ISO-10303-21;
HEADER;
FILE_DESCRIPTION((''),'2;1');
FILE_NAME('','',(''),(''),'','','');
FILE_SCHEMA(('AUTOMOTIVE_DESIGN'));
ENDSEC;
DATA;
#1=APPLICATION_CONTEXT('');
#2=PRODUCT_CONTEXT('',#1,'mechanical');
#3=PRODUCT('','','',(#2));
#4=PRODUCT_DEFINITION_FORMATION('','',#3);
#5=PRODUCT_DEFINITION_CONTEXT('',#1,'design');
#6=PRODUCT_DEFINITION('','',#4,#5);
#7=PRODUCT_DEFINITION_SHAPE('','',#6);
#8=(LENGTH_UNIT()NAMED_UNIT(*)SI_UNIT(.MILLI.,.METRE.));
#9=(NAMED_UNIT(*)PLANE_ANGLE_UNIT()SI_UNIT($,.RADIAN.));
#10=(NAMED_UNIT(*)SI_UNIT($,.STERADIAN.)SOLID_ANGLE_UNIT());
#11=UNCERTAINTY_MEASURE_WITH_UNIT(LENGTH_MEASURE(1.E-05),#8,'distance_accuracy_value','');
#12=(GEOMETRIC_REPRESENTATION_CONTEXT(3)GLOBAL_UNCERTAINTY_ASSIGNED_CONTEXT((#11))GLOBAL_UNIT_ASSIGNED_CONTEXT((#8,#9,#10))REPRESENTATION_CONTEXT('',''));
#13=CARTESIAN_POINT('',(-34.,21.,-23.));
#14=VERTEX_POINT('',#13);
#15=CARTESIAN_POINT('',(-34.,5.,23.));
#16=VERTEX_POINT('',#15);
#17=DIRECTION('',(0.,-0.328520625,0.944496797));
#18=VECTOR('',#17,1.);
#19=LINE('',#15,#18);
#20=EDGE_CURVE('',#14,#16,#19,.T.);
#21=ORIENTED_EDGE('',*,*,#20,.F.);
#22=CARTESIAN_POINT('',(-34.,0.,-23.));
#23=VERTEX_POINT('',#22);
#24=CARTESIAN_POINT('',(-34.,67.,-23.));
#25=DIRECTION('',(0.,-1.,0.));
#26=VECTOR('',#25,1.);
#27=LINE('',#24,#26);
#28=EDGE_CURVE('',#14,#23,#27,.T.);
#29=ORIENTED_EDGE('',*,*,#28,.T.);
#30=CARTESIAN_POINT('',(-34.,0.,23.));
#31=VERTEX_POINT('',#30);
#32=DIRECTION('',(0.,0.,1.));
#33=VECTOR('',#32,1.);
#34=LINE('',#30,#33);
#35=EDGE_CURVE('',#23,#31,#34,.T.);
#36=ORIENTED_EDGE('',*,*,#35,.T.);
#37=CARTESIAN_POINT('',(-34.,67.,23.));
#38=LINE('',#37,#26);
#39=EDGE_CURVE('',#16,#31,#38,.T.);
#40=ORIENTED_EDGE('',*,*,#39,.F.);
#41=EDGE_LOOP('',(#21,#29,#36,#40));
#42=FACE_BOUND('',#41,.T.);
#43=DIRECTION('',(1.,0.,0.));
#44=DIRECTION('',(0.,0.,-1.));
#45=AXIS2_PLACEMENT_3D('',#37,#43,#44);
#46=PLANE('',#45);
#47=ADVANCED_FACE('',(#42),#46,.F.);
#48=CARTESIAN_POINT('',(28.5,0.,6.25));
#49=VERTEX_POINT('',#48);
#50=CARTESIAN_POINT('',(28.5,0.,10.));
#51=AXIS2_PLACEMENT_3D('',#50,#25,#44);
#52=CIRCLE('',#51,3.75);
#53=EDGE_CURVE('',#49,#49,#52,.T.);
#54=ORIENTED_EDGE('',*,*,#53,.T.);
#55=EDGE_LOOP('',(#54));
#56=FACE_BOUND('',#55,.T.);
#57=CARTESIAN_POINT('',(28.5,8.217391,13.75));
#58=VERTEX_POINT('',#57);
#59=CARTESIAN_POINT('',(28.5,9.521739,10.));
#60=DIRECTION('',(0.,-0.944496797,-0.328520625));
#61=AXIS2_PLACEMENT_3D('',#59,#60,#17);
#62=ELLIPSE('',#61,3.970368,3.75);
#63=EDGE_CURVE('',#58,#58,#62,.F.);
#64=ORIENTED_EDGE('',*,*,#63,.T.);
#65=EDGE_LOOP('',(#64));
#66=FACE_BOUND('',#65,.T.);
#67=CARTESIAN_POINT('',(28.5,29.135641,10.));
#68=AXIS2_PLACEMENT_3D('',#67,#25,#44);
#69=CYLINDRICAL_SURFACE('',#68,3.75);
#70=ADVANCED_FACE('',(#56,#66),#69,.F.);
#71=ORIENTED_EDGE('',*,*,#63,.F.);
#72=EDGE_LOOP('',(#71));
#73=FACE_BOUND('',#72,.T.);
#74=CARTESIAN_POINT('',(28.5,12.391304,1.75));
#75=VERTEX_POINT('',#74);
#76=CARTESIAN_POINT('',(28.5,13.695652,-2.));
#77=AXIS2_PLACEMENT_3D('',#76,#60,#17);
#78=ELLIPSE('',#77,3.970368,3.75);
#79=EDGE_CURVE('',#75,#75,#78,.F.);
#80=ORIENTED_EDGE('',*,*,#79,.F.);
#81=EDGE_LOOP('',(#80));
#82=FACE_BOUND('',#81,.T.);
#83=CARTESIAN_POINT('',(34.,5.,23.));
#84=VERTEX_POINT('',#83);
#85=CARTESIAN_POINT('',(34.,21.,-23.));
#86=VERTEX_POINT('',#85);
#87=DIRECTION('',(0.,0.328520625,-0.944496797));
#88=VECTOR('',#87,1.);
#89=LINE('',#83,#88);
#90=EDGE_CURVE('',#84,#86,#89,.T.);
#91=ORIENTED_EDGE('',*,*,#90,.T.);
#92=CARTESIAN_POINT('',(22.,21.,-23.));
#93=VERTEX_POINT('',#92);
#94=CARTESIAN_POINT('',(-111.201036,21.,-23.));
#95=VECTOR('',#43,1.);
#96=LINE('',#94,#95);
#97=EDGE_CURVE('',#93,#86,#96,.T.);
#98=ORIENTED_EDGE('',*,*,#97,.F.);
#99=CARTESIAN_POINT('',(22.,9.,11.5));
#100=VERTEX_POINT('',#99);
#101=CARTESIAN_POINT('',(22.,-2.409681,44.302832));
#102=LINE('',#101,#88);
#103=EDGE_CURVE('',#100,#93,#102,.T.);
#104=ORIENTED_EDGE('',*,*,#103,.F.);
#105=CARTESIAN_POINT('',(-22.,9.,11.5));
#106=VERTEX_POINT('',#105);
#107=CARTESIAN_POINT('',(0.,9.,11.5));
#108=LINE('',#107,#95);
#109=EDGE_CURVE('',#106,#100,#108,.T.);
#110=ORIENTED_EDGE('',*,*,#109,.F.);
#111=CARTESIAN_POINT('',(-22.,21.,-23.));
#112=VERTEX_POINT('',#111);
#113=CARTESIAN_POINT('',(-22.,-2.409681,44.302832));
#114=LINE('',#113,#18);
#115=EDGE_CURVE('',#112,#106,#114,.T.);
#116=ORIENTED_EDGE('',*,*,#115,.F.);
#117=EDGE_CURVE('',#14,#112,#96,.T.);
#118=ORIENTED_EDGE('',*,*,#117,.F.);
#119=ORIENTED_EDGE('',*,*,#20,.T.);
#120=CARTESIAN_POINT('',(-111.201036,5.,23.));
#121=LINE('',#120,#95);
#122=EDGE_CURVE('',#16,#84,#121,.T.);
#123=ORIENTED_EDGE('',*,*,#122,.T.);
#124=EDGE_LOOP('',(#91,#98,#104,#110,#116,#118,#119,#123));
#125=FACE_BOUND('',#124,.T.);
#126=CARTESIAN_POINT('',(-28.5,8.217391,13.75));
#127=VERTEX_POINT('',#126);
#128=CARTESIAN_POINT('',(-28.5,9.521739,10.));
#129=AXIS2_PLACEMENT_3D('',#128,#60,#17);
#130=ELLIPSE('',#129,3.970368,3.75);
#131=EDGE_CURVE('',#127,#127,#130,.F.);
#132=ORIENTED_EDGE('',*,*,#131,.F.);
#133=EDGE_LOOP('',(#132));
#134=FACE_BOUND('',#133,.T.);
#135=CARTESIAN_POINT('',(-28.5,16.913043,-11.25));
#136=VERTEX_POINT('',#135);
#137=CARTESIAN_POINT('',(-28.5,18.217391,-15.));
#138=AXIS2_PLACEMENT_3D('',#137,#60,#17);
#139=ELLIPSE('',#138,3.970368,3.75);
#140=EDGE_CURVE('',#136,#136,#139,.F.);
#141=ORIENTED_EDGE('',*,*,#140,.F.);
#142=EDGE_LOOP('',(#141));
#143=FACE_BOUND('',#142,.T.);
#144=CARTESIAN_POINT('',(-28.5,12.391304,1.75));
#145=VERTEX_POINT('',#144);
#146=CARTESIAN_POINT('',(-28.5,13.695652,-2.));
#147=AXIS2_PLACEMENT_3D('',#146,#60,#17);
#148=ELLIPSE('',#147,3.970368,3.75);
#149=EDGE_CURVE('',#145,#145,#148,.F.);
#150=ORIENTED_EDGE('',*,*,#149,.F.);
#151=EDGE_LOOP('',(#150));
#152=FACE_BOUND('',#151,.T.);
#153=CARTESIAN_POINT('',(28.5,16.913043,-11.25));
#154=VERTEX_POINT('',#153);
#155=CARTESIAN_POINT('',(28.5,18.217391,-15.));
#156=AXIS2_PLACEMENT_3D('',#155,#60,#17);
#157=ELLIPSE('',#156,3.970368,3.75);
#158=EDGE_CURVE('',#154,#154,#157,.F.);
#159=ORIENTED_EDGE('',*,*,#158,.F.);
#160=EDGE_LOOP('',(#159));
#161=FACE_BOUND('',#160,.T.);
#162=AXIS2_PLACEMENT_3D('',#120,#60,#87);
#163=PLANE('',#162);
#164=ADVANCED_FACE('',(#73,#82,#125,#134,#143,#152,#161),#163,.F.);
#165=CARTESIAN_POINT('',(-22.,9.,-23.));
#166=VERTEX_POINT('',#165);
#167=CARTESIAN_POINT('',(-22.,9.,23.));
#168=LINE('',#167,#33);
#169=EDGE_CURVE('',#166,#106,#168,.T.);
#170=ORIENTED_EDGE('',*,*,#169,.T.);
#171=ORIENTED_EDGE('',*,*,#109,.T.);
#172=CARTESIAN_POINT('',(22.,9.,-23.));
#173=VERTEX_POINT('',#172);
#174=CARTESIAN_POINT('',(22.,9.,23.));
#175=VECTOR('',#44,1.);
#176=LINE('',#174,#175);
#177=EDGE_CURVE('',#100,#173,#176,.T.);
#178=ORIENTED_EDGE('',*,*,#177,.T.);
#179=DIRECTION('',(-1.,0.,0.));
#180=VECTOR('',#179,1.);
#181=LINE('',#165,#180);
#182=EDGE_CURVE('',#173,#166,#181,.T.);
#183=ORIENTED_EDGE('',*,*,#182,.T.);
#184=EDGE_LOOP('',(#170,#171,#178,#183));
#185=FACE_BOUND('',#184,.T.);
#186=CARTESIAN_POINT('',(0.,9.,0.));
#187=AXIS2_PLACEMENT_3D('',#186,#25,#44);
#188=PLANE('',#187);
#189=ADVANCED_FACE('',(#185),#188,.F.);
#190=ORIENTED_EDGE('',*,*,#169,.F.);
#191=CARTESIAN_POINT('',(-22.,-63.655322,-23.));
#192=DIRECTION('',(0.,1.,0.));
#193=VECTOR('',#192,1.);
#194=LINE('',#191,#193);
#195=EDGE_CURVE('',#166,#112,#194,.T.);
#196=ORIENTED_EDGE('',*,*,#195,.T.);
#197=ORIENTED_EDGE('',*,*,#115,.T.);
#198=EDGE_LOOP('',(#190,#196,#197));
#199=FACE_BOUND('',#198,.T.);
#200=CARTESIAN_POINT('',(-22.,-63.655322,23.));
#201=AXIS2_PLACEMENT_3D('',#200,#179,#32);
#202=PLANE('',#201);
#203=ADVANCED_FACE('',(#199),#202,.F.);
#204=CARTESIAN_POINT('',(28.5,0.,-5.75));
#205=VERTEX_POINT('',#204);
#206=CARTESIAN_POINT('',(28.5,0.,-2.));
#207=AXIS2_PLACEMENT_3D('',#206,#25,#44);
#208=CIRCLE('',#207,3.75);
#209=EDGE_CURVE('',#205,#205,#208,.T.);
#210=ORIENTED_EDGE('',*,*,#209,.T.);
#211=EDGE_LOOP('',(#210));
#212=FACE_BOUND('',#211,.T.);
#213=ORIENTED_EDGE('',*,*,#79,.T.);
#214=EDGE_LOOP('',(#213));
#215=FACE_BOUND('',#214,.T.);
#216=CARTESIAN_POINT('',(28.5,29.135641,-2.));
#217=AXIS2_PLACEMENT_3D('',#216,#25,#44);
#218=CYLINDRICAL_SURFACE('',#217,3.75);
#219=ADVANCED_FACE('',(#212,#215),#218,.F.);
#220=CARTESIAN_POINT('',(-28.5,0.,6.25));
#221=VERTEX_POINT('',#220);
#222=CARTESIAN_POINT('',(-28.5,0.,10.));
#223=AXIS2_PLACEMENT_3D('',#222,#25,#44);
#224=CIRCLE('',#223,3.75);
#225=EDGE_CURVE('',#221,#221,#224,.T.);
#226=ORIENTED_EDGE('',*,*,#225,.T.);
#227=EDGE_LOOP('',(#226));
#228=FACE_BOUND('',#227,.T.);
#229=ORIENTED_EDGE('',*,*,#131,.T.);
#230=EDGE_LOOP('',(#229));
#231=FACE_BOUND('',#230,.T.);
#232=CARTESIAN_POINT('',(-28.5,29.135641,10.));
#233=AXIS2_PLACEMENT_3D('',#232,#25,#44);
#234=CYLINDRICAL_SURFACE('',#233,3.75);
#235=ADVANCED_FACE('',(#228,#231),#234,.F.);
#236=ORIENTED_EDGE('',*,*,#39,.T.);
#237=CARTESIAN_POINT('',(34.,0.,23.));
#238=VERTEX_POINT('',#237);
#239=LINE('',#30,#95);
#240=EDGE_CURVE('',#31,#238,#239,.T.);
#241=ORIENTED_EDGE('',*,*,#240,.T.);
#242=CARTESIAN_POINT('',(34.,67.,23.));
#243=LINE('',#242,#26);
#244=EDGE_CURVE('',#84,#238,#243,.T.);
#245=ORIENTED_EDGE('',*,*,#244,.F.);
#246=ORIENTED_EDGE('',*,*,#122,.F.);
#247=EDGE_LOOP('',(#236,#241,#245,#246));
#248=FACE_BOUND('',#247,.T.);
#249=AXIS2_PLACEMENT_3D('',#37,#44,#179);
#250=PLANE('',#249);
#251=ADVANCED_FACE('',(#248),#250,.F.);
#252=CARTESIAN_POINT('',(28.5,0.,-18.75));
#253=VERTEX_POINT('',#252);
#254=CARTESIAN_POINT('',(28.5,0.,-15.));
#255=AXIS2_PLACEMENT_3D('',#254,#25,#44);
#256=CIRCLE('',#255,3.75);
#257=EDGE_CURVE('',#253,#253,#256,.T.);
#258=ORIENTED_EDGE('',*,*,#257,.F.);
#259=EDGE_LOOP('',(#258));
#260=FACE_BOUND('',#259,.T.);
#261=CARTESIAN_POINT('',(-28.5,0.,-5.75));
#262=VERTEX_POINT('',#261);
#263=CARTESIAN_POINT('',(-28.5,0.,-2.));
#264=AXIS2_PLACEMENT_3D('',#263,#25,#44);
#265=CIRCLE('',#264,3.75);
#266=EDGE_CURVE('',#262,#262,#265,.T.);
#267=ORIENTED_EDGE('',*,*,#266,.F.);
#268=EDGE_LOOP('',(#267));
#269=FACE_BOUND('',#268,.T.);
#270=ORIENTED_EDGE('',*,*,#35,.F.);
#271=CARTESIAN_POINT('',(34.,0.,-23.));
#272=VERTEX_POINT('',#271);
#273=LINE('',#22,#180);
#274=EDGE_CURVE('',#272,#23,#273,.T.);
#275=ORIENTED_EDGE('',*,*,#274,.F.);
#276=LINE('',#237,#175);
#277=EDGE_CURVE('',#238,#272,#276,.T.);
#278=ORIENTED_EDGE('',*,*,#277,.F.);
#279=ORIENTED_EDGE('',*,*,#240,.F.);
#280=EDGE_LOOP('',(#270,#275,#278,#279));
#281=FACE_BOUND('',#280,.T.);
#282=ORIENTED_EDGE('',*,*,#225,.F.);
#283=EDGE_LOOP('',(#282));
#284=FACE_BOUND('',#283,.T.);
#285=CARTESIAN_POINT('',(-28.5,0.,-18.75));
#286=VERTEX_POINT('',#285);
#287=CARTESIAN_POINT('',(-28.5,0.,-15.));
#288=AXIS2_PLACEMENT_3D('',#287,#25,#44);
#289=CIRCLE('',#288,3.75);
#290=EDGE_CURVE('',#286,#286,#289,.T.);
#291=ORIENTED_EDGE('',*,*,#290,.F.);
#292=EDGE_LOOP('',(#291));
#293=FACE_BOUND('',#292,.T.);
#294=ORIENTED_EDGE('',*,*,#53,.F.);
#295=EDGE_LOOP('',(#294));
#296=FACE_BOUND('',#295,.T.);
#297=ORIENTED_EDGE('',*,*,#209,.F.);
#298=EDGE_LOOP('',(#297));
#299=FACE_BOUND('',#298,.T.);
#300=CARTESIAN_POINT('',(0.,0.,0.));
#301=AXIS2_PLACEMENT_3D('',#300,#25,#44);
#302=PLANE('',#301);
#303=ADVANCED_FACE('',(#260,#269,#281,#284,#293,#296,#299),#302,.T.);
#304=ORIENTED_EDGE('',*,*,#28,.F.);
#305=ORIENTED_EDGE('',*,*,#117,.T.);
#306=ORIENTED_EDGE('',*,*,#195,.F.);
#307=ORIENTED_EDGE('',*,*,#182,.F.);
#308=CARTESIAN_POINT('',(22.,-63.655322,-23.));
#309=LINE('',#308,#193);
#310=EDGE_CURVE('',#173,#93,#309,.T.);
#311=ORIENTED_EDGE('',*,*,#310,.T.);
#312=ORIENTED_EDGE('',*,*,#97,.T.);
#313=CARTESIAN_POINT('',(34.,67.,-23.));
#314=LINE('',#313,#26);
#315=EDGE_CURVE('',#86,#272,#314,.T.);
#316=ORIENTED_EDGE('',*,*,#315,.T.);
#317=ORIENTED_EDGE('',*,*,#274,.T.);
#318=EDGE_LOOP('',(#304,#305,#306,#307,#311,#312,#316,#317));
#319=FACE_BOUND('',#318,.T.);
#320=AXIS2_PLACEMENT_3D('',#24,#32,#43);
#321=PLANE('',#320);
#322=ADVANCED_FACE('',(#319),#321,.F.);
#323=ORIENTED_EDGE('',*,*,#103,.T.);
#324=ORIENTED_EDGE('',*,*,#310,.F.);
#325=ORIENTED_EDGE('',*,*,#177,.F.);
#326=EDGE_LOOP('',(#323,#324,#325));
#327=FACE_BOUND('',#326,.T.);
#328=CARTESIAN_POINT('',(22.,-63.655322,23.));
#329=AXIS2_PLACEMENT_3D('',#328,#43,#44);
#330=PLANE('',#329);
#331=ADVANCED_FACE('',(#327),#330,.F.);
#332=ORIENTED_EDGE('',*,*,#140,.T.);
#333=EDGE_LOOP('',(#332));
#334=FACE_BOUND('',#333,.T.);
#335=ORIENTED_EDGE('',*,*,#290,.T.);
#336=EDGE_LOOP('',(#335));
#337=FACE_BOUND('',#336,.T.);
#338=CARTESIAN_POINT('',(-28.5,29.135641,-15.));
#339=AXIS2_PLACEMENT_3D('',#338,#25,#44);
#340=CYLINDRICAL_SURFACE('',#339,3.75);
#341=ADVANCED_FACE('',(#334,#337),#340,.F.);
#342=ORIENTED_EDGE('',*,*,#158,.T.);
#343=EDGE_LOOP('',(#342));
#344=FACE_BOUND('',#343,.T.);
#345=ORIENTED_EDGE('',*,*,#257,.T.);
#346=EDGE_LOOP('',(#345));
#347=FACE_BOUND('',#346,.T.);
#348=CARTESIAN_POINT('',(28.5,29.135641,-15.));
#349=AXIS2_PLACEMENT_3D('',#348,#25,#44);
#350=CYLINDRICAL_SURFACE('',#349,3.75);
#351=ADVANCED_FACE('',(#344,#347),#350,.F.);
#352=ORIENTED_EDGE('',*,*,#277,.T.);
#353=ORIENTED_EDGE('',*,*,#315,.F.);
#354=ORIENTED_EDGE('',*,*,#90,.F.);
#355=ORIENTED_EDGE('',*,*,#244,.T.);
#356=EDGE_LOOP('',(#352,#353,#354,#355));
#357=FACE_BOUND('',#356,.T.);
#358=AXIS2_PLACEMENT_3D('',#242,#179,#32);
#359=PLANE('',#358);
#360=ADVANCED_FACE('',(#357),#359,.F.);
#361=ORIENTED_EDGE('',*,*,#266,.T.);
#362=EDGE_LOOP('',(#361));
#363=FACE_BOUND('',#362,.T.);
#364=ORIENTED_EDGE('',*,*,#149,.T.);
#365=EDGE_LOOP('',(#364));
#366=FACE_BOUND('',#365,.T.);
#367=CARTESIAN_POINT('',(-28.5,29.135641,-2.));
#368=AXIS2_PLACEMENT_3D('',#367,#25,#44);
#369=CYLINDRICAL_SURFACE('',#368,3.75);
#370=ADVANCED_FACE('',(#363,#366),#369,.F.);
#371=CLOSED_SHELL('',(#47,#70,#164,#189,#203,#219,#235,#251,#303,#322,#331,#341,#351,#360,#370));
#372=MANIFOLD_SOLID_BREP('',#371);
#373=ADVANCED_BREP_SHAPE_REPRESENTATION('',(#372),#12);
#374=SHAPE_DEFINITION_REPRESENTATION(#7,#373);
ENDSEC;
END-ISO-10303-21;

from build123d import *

# Parameters (mm, degrees)
SKETCH1_W           = 68
SKETCH1_H           = 46
BOSS_EXTRUDE1_DEPTH = 67
SKETCH3_W           = 44
SKETCH3_H           = 46
CUT_EXTRUDE2_DEPTH  = 58
CUT_EXTRUDE1_REACH  = 100.194
CUT_EXTRUDE3_REACH  = 48.109
SKETCH4_R           = 3.75


with BuildPart() as part:
    # Sketch1 → Boss-Extrude1 (new body)
    with BuildSketch(Plane(origin=(0, 0, 0), x_dir=(1, 0, 0), z_dir=(0, 1, 0))):
        Rectangle(SKETCH1_W, SKETCH1_H)
    extrude(amount=BOSS_EXTRUDE1_DEPTH)

    # Sketch3 → Cut-Extrude2 (cut)
    with BuildSketch(Plane(origin=(0, 67, 0), x_dir=(1, 0, 0), z_dir=(0, 1, 0))):
        Rectangle(SKETCH3_W, SKETCH3_H)
    extrude(amount=-CUT_EXTRUDE2_DEPTH, mode=Mode.SUBTRACT)

    # Cut-Extrude1: up to this face of the body (flat: up to its plane)
    cut_extrude1_end = Plane(part.part.faces().sort_by_distance((-34, 33.5, 0))[0])
    # Sketch2 → Cut-Extrude1 (cut, up to the picked face)
    with BuildSketch(Plane(origin=(34, 0, 0), x_dir=(0, 0, -1), z_dir=(1, 0, 0)), mode=Mode.PRIVATE) as cut_extrude1_sk1:
        Polygon((-23, 5), (23, 21), (23, 67), (-23, 67), align=None)
    cut_extrude1_tool1 = split(extrude(cut_extrude1_sk1.sketch, amount=-CUT_EXTRUDE1_REACH, mode=Mode.PRIVATE), bisect_by=cut_extrude1_end, keep=Keep.BOTH, mode=Mode.PRIVATE)
    add(cut_extrude1_tool1.solids().sort_by(Axis((34, 39.802469, 1.135802), (-1, 0, 0)))[0], mode=Mode.SUBTRACT)

    # Cut-Extrude3: up to this plane
    cut_extrude3_end = Plane(origin=(-111.201036262, 5, 23), z_dir=(0, -0.9444967967061592, -0.32852062494127277))
    # Sketch4 → Cut-Extrude3 (cut, up to the surface)
    with BuildSketch(Plane(origin=(0, 0, 0), x_dir=(-1, 0, 0), z_dir=(0, -1, 0)), mode=Mode.PRIVATE) as cut_extrude3_sk1:
        with Locations(Location((-28.5, 15, 0), (0, 0, 90))):
            Circle(SKETCH4_R)
    cut_extrude3_tool1 = split(extrude(cut_extrude3_sk1.sketch, amount=-CUT_EXTRUDE3_REACH, mode=Mode.PRIVATE), bisect_by=cut_extrude3_end, keep=Keep.BOTH, mode=Mode.PRIVATE)
    add(cut_extrude3_tool1.solids().sort_by_distance((28.5, 0, -15))[0], mode=Mode.SUBTRACT)
    # Sketch4 → Cut-Extrude3 (cut, up to the surface)
    with BuildSketch(Plane(origin=(0, 0, 0), x_dir=(-1, 0, 0), z_dir=(0, -1, 0)), mode=Mode.PRIVATE) as cut_extrude3_sk2:
        with Locations(Location((-28.5, 2, 0), (0, 0, 90))):
            Circle(SKETCH4_R)
    cut_extrude3_tool2 = split(extrude(cut_extrude3_sk2.sketch, amount=-CUT_EXTRUDE3_REACH, mode=Mode.PRIVATE), bisect_by=cut_extrude3_end, keep=Keep.BOTH, mode=Mode.PRIVATE)
    add(cut_extrude3_tool2.solids().sort_by_distance((28.5, 0, -2))[0], mode=Mode.SUBTRACT)
    # Sketch4 → Cut-Extrude3 (cut, up to the surface)
    with BuildSketch(Plane(origin=(0, 0, 0), x_dir=(-1, 0, 0), z_dir=(0, -1, 0)), mode=Mode.PRIVATE) as cut_extrude3_sk3:
        with Locations(Location((-28.5, -10, 0), (0, 0, 90))):
            Circle(SKETCH4_R)
    cut_extrude3_tool3 = split(extrude(cut_extrude3_sk3.sketch, amount=-CUT_EXTRUDE3_REACH, mode=Mode.PRIVATE), bisect_by=cut_extrude3_end, keep=Keep.BOTH, mode=Mode.PRIVATE)
    add(cut_extrude3_tool3.solids().sort_by_distance((28.5, 0, 10))[0], mode=Mode.SUBTRACT)
    # Sketch4 → Cut-Extrude3 (cut, up to the surface)
    with BuildSketch(Plane(origin=(0, 0, 0), x_dir=(-1, 0, 0), z_dir=(0, -1, 0)), mode=Mode.PRIVATE) as cut_extrude3_sk4:
        with Locations(Location((28.5, 15, 0), (0, 0, 90))):
            Circle(SKETCH4_R)
    cut_extrude3_tool4 = split(extrude(cut_extrude3_sk4.sketch, amount=-CUT_EXTRUDE3_REACH, mode=Mode.PRIVATE), bisect_by=cut_extrude3_end, keep=Keep.BOTH, mode=Mode.PRIVATE)
    add(cut_extrude3_tool4.solids().sort_by_distance((-28.5, 0, -15))[0], mode=Mode.SUBTRACT)
    # Sketch4 → Cut-Extrude3 (cut, up to the surface)
    with BuildSketch(Plane(origin=(0, 0, 0), x_dir=(-1, 0, 0), z_dir=(0, -1, 0)), mode=Mode.PRIVATE) as cut_extrude3_sk5:
        with Locations(Location((28.5, 2, 0), (0, 0, 90))):
            Circle(SKETCH4_R)
    cut_extrude3_tool5 = split(extrude(cut_extrude3_sk5.sketch, amount=-CUT_EXTRUDE3_REACH, mode=Mode.PRIVATE), bisect_by=cut_extrude3_end, keep=Keep.BOTH, mode=Mode.PRIVATE)
    add(cut_extrude3_tool5.solids().sort_by_distance((-28.5, 0, -2))[0], mode=Mode.SUBTRACT)
    # Sketch4 → Cut-Extrude3 (cut, up to the surface)
    with BuildSketch(Plane(origin=(0, 0, 0), x_dir=(-1, 0, 0), z_dir=(0, -1, 0)), mode=Mode.PRIVATE) as cut_extrude3_sk6:
        with Locations(Location((28.5, -10, 0), (0, 0, 90))):
            Circle(SKETCH4_R)
    cut_extrude3_tool6 = split(extrude(cut_extrude3_sk6.sketch, amount=-CUT_EXTRUDE3_REACH, mode=Mode.PRIVATE), bisect_by=cut_extrude3_end, keep=Keep.BOTH, mode=Mode.PRIVATE)
    add(cut_extrude3_tool6.solids().sort_by_distance((-28.5, 0, 10))[0], mode=Mode.SUBTRACT)


solid = part.part
